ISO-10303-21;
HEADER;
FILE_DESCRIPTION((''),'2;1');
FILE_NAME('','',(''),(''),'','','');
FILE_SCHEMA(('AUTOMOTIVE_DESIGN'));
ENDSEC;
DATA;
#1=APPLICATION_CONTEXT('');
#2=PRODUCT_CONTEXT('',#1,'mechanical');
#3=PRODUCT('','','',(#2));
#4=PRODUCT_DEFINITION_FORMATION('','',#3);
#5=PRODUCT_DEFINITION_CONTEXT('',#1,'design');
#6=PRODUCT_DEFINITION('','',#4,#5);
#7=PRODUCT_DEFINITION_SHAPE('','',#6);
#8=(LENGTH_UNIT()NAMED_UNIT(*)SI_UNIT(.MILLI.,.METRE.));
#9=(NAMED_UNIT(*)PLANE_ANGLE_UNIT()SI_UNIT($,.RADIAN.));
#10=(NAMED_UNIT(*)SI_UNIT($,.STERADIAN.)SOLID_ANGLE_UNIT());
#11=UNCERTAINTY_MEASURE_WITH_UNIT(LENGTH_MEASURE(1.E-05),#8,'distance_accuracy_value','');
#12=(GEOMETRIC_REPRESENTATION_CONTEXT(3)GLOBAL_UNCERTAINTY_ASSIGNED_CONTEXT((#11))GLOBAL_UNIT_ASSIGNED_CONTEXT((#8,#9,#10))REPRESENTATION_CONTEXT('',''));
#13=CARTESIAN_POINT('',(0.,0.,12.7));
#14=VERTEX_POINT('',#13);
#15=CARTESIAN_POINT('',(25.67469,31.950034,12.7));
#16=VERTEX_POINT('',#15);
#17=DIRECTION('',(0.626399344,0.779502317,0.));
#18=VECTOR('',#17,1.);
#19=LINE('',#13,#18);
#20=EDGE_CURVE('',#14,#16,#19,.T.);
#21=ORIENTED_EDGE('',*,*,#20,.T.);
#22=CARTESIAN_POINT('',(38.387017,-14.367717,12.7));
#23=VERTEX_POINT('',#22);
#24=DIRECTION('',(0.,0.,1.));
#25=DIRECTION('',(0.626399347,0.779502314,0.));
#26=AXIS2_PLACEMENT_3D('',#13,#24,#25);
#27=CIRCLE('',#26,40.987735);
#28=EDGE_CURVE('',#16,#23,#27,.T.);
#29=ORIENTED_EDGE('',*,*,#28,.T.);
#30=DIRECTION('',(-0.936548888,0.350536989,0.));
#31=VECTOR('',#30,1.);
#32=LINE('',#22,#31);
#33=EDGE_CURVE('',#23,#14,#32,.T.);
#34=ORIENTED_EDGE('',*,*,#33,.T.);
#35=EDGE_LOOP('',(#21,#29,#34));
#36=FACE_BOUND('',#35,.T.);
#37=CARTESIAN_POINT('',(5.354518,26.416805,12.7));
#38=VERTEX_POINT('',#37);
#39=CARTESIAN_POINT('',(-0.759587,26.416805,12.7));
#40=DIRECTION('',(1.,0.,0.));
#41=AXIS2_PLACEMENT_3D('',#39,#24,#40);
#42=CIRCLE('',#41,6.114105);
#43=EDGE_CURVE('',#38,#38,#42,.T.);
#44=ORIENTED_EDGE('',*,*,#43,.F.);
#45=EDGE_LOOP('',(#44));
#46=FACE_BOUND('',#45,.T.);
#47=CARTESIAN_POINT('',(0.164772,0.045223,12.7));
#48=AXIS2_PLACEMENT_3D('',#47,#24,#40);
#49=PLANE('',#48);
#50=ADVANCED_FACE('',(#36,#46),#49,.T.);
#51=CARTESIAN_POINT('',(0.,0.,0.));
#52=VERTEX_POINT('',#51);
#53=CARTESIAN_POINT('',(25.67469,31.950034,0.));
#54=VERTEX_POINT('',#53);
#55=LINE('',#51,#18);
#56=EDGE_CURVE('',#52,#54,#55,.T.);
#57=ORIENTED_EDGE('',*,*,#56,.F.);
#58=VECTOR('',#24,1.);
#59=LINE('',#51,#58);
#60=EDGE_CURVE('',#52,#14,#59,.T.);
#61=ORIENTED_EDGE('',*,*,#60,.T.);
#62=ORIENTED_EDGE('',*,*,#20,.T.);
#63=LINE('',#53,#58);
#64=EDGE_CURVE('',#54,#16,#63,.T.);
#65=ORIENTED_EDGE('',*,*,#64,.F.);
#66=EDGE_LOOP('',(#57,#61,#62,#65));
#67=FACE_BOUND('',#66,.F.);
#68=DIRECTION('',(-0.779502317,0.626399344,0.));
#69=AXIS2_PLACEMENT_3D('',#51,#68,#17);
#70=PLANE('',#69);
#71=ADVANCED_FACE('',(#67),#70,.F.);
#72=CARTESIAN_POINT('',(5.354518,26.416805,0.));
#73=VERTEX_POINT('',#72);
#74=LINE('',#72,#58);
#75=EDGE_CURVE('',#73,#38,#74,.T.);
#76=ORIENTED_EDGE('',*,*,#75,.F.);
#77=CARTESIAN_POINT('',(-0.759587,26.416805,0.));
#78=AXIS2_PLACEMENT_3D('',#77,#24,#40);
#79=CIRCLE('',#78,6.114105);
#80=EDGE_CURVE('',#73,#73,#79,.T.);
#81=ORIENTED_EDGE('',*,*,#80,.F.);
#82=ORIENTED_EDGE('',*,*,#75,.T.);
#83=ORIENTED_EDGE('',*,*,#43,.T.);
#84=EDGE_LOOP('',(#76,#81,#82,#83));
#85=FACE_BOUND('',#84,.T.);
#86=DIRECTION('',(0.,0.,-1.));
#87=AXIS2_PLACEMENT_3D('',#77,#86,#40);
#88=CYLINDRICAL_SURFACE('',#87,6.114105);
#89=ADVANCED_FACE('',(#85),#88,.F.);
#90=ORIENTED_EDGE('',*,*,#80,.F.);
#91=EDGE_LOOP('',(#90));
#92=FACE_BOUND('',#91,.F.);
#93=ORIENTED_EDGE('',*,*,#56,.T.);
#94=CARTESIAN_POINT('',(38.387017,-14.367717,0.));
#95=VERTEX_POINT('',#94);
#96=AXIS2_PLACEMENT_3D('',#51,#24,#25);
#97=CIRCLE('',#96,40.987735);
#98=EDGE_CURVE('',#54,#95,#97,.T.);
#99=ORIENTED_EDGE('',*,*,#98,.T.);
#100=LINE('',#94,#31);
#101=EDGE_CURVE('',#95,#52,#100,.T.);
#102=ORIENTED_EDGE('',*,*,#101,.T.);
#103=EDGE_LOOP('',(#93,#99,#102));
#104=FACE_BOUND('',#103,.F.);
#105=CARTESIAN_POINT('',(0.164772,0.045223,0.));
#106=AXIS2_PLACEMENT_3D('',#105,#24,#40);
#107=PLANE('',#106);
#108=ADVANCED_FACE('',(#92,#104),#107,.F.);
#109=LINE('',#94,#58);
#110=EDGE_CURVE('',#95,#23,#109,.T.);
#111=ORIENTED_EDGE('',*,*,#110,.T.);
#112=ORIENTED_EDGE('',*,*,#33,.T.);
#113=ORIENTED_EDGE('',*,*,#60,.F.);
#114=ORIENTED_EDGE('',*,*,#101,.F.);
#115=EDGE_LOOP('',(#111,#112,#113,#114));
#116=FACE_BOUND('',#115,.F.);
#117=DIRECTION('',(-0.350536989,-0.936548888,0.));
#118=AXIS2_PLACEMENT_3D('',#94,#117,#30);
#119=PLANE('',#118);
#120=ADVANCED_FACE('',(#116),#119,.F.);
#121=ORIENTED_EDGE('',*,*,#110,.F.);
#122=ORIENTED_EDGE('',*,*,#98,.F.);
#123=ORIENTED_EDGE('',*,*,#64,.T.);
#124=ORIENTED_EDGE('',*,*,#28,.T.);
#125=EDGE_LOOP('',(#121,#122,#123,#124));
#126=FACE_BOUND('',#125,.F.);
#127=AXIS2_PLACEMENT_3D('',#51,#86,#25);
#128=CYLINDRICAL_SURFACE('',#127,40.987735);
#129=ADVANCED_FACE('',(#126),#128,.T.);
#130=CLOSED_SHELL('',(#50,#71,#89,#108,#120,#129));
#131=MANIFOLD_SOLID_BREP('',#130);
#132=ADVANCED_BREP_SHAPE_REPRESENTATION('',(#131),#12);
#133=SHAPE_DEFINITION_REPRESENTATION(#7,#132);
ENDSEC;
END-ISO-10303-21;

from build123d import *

# Parameters (mm, degrees)
F0_R     = 6.114105
F1_DEPTH = 12.7


with BuildPart() as f1:
    # F0 (on Top) → F1 (new body)
    with BuildSketch(Plane.XY):
        with BuildLine():
            Line((0, 0), (25.67469, 31.950034))
            ThreePointArc((25.67469, 31.950034), (-39.526056, -10.848285), (38.387017, -14.367717))
            Line((38.387017, -14.367717), (0, 0))
        make_face()
        with Locations((-0.759587, 26.416805)):
            Circle(F0_R, mode=Mode.SUBTRACT)
    extrude(amount=F1_DEPTH)


solid = f1.part
